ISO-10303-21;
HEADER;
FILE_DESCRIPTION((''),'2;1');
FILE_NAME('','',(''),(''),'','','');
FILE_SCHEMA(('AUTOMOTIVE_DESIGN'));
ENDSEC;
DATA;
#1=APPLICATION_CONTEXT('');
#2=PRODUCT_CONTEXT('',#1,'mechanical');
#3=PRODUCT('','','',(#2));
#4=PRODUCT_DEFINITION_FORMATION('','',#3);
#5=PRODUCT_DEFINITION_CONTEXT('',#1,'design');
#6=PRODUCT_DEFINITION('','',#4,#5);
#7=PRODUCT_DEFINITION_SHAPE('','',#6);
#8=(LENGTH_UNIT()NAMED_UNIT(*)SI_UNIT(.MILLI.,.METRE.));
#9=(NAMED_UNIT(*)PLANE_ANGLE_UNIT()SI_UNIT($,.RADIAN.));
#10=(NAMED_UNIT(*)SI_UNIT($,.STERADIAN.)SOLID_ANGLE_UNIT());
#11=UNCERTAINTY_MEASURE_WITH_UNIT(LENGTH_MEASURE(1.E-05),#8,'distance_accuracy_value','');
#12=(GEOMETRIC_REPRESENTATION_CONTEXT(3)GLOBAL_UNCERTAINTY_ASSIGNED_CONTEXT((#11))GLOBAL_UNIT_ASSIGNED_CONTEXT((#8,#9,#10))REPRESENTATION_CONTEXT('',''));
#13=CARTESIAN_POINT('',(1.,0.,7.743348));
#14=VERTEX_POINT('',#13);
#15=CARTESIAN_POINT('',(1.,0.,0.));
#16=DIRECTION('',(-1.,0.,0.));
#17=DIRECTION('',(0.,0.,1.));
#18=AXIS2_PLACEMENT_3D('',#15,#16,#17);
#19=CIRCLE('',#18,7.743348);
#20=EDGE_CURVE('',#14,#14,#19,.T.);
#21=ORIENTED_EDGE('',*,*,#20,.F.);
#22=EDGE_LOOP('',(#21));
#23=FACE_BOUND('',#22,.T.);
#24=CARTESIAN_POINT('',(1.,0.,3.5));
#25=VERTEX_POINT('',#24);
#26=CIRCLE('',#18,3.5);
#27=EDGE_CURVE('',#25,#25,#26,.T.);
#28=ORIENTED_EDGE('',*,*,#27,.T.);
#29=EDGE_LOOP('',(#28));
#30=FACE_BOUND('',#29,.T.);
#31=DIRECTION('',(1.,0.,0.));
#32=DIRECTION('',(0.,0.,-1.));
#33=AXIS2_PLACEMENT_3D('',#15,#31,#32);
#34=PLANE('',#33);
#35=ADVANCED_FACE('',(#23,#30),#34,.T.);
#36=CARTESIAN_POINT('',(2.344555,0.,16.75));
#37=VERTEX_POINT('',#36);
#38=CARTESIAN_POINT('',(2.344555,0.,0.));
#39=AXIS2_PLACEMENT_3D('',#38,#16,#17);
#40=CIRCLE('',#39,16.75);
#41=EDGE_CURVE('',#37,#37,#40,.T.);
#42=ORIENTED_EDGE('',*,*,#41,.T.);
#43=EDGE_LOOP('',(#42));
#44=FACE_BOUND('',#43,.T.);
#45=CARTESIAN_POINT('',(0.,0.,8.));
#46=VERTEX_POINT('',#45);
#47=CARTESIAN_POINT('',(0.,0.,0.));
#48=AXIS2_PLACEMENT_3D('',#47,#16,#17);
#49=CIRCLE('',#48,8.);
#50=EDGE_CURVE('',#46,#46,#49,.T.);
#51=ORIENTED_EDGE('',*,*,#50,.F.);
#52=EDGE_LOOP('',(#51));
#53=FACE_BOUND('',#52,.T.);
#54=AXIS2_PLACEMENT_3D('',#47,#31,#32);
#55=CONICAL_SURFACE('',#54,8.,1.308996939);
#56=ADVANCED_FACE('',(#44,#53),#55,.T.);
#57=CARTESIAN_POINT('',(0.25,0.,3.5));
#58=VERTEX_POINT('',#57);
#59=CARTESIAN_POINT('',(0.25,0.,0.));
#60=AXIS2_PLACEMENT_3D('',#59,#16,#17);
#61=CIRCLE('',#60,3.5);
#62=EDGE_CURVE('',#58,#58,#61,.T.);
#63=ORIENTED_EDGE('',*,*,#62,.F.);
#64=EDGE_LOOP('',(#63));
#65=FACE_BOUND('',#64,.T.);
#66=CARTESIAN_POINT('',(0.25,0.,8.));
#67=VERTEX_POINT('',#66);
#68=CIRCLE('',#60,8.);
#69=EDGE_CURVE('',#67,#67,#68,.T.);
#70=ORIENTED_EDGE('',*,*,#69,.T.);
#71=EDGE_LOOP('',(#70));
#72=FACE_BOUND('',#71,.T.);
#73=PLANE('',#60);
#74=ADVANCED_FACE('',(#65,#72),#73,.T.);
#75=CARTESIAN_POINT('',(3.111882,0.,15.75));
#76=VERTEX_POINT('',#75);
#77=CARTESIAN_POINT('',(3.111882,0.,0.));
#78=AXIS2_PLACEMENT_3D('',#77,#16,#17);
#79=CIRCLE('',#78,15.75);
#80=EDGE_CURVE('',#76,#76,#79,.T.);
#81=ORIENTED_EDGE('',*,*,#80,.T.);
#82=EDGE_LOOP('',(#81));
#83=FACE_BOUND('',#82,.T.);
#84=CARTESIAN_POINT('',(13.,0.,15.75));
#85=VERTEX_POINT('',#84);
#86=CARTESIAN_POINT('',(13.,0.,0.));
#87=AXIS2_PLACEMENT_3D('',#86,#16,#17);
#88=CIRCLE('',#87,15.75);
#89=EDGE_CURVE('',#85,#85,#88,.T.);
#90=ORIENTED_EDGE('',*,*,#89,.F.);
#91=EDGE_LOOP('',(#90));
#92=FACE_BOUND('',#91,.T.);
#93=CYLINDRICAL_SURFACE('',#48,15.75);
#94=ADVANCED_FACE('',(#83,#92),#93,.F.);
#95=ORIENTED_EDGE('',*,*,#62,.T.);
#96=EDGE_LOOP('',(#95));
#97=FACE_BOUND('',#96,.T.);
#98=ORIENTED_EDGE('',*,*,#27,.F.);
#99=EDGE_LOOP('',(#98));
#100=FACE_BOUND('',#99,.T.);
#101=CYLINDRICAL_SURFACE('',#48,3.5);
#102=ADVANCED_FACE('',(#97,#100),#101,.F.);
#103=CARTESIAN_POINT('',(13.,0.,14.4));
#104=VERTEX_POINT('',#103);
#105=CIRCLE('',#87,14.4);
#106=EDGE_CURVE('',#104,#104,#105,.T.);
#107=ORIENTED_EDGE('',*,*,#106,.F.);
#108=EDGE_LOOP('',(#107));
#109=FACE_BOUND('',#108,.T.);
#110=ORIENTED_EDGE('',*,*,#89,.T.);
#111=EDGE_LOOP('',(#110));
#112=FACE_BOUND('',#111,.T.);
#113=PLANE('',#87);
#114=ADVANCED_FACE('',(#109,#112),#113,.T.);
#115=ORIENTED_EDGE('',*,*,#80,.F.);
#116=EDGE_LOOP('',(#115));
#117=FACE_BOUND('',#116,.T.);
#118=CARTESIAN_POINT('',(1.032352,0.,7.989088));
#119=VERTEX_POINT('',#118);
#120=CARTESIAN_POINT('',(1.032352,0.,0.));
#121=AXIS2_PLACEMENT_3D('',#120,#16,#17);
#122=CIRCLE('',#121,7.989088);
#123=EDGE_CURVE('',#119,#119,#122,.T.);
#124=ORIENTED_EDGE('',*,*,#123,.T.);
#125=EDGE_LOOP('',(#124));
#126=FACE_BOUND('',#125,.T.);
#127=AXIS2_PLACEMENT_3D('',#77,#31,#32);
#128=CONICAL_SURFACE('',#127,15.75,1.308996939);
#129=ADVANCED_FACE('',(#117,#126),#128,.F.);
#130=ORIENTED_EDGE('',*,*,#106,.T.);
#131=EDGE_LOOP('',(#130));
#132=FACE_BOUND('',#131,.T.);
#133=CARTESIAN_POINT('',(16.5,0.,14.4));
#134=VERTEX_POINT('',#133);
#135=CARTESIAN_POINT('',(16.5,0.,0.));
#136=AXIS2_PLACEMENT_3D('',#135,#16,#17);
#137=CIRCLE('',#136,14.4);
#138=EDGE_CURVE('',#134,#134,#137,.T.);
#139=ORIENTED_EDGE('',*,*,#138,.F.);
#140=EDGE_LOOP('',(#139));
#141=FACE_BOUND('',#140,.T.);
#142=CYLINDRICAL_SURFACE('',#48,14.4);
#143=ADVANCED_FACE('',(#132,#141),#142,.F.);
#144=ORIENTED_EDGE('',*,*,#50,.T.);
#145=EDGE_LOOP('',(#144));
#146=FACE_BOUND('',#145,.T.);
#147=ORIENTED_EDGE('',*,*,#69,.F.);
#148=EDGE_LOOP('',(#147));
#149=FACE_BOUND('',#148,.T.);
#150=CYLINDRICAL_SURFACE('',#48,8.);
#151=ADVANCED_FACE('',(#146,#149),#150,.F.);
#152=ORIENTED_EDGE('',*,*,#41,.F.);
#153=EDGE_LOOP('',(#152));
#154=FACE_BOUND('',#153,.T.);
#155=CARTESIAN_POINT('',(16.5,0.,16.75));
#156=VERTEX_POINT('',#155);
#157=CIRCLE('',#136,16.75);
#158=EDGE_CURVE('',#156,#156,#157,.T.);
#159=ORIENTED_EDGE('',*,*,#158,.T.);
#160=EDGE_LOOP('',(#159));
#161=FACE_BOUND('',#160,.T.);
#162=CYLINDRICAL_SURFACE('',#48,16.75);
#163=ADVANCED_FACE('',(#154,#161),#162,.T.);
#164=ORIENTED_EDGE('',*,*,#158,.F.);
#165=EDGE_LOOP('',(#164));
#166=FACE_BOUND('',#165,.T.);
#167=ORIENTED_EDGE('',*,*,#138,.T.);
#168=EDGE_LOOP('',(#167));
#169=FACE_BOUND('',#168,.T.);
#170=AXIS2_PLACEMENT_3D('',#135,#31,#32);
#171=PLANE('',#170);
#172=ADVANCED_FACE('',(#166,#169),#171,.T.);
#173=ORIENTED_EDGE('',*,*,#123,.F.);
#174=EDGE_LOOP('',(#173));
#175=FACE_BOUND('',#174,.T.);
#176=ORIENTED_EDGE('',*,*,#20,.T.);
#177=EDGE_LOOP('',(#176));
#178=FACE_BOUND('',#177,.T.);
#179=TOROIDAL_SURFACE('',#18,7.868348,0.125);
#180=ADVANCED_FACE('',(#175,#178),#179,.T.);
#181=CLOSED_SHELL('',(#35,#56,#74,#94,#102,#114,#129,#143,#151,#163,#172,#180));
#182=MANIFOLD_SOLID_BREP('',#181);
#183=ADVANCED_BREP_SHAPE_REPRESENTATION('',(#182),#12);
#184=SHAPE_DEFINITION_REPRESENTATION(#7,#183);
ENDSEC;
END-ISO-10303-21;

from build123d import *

# Parameters (mm, degrees)
ESBO_O1_R = 0.125


with BuildPart() as part:
    # Esboço1 → Revolução1 (revolve)
    with BuildSketch(Plane.XY, mode=Mode.PRIVATE) as revolu_o1_sk:
        with Locations((1, 7.868347502)):
            Circle(ESBO_O1_R)
        Polygon((1, 7.868347502), (1, 3.5), (0.25, 3.5), (0.25, 8), (0, 8), (2.344555434, 16.75), (16.5, 16.75), (16.5, 14.4), (13, 14.4), (13, 15.75), (3.111882422, 15.75), align=None)
    revolve(revolu_o1_sk.sketch.rotate(Axis((0, 0, 0), (1, 0, 0)), 90), axis=Axis((0, 0, 0), (1, 0, 0)))


solid = part.part
